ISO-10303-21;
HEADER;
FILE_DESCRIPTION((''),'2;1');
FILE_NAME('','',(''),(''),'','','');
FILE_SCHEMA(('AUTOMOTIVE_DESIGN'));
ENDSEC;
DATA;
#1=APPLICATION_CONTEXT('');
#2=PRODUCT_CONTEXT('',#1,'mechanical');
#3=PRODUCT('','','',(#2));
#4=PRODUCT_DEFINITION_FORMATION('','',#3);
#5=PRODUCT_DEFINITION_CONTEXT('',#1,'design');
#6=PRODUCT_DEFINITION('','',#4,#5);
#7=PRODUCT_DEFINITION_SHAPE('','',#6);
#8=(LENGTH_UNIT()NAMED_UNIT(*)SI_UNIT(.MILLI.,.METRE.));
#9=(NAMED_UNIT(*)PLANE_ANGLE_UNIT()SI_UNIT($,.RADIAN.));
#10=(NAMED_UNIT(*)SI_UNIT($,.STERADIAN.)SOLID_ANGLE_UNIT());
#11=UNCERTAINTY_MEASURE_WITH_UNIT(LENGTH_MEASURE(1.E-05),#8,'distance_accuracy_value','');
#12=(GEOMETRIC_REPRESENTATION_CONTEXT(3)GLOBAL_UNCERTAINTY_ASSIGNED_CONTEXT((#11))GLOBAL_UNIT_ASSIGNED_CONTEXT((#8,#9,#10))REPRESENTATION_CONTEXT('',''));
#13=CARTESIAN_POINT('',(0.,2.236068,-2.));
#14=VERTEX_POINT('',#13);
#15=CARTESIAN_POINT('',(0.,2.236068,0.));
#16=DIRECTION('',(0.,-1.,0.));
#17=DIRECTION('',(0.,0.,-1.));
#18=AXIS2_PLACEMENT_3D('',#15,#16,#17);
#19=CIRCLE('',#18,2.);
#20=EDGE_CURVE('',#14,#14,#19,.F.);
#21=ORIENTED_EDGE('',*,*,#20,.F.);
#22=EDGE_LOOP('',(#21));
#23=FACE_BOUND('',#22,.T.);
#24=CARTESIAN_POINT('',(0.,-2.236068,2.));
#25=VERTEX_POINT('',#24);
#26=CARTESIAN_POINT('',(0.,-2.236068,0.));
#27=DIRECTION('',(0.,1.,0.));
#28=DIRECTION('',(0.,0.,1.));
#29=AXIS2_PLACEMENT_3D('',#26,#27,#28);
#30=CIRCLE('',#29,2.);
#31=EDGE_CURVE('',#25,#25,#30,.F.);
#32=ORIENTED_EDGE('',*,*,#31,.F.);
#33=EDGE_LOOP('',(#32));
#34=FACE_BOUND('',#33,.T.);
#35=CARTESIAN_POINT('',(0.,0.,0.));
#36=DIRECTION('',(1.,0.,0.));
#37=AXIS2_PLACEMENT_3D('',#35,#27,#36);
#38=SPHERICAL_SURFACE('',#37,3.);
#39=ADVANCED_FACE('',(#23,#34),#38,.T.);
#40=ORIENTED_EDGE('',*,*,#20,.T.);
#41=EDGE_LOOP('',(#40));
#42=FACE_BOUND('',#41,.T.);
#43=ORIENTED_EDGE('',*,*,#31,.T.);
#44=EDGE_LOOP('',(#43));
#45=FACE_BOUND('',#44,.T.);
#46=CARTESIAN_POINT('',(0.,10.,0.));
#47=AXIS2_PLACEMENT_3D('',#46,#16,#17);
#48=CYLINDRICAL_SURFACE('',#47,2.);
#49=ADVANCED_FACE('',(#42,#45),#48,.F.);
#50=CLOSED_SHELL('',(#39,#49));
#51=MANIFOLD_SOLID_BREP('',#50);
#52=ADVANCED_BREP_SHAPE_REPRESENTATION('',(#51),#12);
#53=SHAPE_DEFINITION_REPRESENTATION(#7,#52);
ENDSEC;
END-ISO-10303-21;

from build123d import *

# Parameters (mm, degrees)
CUT_EXTRUDE1_DEPTH      = 10
CUT_EXTRUDE1_DEPTH_BACK = 10
SKETCH3_R               = 2


with BuildPart() as part:
    # Sketch2 → Revolve2 (revolve)
    with BuildSketch(Plane.XY):
        with BuildLine():
            Line((0, 3), (0, -3))
            ThreePointArc((0, -3), (3, 0), (0, 3))
        make_face()
    revolve(axis=Axis((0, 3, 0), (0, -1, 0)))

    # Sketch3 → Cut-Extrude1 (cut, two sides: drawn at the far end of the back side and taken through both)
    with BuildSketch(Plane(origin=(0, 0, 0), x_dir=(1, 0, 0), z_dir=(0, 1, 0)).offset(-CUT_EXTRUDE1_DEPTH_BACK)):
        Circle(SKETCH3_R)
    extrude(amount=CUT_EXTRUDE1_DEPTH + CUT_EXTRUDE1_DEPTH_BACK, mode=Mode.SUBTRACT)


solid = part.part
